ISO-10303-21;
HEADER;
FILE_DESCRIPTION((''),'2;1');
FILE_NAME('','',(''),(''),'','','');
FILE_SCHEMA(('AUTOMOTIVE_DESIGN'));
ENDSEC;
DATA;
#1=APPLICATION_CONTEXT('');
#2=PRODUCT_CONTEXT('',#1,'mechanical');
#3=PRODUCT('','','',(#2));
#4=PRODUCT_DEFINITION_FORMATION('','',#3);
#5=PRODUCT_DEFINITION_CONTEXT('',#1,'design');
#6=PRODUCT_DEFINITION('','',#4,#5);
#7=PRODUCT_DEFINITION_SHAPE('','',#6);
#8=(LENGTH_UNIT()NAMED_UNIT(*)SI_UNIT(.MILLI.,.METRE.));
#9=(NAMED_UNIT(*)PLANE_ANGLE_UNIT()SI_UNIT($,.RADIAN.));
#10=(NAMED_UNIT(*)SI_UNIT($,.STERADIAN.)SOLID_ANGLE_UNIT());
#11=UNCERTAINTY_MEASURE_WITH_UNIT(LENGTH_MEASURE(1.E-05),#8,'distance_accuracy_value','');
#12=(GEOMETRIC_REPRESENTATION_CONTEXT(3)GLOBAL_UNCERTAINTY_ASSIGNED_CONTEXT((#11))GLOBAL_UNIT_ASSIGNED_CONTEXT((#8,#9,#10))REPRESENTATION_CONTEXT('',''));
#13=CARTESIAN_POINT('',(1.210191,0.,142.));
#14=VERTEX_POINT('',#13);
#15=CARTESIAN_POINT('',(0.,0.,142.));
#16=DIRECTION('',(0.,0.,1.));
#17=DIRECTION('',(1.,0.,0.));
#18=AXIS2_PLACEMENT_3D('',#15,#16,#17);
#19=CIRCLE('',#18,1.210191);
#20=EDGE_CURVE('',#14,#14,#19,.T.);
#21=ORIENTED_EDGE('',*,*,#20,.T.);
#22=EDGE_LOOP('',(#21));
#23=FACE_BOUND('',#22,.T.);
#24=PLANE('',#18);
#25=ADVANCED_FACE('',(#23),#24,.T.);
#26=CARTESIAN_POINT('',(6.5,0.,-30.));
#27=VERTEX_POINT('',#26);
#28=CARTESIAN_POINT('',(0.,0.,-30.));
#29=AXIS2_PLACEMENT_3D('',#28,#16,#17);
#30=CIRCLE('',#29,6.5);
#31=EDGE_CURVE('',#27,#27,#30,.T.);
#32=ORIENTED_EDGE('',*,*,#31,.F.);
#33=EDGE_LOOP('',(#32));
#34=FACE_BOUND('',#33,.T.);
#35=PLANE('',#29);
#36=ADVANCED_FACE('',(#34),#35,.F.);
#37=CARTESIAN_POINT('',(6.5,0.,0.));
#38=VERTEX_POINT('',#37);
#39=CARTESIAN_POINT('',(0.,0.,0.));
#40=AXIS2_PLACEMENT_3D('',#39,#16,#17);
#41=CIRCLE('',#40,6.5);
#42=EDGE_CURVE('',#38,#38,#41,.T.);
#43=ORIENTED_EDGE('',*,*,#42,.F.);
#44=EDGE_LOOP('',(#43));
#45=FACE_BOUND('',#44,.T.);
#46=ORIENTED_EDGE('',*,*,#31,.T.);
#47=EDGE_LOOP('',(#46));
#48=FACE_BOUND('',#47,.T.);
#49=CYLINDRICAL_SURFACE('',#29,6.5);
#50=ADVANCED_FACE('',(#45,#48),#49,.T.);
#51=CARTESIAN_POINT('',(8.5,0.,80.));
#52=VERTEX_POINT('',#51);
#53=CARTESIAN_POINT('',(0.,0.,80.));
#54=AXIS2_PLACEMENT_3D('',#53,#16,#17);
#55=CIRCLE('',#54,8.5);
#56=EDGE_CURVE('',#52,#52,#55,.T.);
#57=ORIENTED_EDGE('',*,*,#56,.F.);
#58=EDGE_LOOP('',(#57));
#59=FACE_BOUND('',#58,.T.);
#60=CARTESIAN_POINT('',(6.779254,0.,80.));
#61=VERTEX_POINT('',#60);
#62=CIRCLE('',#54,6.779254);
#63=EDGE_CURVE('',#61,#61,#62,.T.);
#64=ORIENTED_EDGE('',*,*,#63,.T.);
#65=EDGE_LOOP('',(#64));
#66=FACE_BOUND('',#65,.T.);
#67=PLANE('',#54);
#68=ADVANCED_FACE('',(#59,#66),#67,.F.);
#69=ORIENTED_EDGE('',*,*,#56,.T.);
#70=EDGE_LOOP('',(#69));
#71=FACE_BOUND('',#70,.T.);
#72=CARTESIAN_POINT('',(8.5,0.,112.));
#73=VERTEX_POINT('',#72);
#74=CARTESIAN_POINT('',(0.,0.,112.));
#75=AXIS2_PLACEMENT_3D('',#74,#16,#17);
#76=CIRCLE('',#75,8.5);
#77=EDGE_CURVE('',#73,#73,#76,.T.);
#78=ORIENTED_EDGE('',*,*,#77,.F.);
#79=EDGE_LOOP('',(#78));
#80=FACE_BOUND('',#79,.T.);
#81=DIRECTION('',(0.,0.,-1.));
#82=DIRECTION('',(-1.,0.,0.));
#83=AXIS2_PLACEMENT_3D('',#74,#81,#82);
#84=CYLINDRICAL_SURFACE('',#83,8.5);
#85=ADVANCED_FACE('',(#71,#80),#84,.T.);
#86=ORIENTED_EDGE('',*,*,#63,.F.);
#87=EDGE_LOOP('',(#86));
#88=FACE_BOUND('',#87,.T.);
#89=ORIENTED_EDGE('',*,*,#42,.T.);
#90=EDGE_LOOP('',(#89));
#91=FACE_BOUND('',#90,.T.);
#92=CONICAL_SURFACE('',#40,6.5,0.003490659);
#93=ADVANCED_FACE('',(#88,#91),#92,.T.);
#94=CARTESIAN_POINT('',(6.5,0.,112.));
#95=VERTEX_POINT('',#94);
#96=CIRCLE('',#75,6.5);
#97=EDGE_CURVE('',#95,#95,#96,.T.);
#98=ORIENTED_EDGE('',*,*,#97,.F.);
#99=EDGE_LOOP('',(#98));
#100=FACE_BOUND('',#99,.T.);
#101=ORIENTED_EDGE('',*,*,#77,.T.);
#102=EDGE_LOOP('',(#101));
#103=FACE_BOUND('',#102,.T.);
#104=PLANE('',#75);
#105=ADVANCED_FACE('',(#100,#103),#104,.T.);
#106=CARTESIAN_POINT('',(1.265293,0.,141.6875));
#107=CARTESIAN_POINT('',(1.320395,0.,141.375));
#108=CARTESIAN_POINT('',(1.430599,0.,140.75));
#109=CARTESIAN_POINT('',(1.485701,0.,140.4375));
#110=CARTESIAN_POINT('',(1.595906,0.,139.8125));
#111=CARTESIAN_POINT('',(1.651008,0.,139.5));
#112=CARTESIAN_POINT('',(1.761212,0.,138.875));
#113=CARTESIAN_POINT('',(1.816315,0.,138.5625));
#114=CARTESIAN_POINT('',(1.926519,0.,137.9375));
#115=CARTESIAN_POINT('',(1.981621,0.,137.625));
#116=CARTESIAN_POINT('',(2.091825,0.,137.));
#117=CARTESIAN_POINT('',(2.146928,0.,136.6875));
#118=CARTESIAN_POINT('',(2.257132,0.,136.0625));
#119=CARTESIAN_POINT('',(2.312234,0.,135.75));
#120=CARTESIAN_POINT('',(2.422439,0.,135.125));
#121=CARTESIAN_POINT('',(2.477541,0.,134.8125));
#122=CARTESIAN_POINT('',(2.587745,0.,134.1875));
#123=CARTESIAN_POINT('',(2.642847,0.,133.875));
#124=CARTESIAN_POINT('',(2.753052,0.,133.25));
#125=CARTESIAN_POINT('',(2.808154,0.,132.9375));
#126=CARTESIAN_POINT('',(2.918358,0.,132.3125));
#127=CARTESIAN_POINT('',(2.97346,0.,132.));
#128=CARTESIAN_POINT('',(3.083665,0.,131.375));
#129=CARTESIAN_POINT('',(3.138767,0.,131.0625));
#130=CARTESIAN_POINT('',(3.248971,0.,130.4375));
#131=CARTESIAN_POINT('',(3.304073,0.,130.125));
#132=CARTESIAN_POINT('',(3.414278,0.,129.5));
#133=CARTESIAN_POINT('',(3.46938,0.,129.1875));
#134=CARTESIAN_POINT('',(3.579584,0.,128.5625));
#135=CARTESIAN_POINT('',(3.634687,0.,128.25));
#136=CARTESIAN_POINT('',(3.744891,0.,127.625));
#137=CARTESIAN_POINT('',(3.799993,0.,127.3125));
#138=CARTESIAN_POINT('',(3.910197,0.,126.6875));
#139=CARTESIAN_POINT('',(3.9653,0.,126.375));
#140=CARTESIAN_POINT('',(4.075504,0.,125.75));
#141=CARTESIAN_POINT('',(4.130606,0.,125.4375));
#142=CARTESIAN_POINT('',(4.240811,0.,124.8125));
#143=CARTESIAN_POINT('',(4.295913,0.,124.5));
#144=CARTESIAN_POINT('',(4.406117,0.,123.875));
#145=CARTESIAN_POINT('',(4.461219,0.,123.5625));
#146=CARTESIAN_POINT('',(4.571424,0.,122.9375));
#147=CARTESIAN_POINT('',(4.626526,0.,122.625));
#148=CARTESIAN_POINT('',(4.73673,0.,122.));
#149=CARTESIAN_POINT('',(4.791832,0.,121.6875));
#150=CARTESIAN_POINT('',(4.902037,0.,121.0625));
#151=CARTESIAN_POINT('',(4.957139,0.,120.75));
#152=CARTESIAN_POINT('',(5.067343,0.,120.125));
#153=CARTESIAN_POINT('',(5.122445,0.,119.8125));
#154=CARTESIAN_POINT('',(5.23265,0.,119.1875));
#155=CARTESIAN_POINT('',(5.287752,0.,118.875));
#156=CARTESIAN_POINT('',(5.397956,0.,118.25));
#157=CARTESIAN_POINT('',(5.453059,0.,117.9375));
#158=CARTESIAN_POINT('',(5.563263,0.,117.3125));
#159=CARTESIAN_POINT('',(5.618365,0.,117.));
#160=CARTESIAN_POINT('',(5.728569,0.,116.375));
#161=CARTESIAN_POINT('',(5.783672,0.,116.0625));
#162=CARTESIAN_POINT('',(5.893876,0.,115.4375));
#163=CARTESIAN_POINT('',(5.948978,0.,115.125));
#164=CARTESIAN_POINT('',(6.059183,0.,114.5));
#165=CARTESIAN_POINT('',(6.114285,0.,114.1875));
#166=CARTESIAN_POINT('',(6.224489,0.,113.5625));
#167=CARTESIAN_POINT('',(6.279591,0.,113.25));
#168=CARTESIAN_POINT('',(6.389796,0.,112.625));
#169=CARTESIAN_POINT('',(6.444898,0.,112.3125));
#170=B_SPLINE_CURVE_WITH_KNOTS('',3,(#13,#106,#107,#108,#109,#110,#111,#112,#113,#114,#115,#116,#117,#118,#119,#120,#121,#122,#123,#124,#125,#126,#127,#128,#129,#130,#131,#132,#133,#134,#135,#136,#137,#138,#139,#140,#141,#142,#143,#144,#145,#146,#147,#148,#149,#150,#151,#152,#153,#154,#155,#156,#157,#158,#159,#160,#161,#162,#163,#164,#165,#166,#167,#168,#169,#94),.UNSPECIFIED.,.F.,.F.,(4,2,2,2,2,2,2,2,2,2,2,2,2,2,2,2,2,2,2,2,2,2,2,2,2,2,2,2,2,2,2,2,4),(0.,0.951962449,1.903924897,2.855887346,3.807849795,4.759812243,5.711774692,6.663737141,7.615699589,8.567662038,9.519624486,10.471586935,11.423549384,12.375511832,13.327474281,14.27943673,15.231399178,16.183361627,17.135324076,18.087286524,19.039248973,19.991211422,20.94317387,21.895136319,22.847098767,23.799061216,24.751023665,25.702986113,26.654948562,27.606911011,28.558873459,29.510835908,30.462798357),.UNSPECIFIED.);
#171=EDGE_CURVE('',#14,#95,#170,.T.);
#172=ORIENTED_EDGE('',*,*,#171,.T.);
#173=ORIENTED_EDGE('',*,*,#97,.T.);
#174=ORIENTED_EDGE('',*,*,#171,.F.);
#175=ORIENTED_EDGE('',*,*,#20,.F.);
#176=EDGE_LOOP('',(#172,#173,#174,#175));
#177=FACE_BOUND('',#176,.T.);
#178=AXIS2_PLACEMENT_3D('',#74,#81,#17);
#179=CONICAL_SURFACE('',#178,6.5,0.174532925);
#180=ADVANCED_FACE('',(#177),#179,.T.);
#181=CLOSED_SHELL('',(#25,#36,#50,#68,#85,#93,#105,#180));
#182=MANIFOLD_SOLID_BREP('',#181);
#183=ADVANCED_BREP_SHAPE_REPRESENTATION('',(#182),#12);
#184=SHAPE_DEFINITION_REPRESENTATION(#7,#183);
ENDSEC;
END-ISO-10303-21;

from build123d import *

# Parameters (mm, degrees)
SKETCH1_R           = 6.5
BOSS_EXTRUDE1_DEPTH = 80
BOSS_EXTRUDE1_DRAFT = -0.2
SKETCH1_2_R         = 6.5
BOSS_EXTRUDE2_DEPTH = 30
SKETCH2_R           = 8.5
BOSS_EXTRUDE3_DEPTH = 32
SKETCH3_R           = 6.5
BOSS_EXTRUDE4_DEPTH = 30
BOSS_EXTRUDE4_TAPER = 10


with BuildPart() as part:
    # Sketch1 → Boss-Extrude1 (with draft: the straight prism first)
    with BuildSketch(Plane.XY):
        Circle(SKETCH1_R)
    extrude(amount=BOSS_EXTRUDE1_DEPTH)
    # Boss-Extrude1: the draft: its side faces are tilted about the plane it starts from
    boss_extrude1_sides = [part.faces().sort_by_distance(p)[0] for p in [
        (-6.5, 0, 40),
    ]]
    draft(boss_extrude1_sides, Plane.XY, BOSS_EXTRUDE1_DRAFT)

    # Sketch1<2> → Boss-Extrude2 (add)
    with BuildSketch(Plane.XY):
        Circle(SKETCH1_2_R)
    extrude(amount=-BOSS_EXTRUDE2_DEPTH)

    # Sketch2 → Boss-Extrude3 (add)
    with BuildSketch(Plane.XY.offset(80)):
        Circle(SKETCH2_R)
    extrude(amount=BOSS_EXTRUDE3_DEPTH)

    # Sketch3 → Boss-Extrude4 (add)
    with BuildSketch(Plane.XY.offset(112)):
        Circle(SKETCH3_R)
    extrude(amount=BOSS_EXTRUDE4_DEPTH, taper=BOSS_EXTRUDE4_TAPER)


solid = part.part
